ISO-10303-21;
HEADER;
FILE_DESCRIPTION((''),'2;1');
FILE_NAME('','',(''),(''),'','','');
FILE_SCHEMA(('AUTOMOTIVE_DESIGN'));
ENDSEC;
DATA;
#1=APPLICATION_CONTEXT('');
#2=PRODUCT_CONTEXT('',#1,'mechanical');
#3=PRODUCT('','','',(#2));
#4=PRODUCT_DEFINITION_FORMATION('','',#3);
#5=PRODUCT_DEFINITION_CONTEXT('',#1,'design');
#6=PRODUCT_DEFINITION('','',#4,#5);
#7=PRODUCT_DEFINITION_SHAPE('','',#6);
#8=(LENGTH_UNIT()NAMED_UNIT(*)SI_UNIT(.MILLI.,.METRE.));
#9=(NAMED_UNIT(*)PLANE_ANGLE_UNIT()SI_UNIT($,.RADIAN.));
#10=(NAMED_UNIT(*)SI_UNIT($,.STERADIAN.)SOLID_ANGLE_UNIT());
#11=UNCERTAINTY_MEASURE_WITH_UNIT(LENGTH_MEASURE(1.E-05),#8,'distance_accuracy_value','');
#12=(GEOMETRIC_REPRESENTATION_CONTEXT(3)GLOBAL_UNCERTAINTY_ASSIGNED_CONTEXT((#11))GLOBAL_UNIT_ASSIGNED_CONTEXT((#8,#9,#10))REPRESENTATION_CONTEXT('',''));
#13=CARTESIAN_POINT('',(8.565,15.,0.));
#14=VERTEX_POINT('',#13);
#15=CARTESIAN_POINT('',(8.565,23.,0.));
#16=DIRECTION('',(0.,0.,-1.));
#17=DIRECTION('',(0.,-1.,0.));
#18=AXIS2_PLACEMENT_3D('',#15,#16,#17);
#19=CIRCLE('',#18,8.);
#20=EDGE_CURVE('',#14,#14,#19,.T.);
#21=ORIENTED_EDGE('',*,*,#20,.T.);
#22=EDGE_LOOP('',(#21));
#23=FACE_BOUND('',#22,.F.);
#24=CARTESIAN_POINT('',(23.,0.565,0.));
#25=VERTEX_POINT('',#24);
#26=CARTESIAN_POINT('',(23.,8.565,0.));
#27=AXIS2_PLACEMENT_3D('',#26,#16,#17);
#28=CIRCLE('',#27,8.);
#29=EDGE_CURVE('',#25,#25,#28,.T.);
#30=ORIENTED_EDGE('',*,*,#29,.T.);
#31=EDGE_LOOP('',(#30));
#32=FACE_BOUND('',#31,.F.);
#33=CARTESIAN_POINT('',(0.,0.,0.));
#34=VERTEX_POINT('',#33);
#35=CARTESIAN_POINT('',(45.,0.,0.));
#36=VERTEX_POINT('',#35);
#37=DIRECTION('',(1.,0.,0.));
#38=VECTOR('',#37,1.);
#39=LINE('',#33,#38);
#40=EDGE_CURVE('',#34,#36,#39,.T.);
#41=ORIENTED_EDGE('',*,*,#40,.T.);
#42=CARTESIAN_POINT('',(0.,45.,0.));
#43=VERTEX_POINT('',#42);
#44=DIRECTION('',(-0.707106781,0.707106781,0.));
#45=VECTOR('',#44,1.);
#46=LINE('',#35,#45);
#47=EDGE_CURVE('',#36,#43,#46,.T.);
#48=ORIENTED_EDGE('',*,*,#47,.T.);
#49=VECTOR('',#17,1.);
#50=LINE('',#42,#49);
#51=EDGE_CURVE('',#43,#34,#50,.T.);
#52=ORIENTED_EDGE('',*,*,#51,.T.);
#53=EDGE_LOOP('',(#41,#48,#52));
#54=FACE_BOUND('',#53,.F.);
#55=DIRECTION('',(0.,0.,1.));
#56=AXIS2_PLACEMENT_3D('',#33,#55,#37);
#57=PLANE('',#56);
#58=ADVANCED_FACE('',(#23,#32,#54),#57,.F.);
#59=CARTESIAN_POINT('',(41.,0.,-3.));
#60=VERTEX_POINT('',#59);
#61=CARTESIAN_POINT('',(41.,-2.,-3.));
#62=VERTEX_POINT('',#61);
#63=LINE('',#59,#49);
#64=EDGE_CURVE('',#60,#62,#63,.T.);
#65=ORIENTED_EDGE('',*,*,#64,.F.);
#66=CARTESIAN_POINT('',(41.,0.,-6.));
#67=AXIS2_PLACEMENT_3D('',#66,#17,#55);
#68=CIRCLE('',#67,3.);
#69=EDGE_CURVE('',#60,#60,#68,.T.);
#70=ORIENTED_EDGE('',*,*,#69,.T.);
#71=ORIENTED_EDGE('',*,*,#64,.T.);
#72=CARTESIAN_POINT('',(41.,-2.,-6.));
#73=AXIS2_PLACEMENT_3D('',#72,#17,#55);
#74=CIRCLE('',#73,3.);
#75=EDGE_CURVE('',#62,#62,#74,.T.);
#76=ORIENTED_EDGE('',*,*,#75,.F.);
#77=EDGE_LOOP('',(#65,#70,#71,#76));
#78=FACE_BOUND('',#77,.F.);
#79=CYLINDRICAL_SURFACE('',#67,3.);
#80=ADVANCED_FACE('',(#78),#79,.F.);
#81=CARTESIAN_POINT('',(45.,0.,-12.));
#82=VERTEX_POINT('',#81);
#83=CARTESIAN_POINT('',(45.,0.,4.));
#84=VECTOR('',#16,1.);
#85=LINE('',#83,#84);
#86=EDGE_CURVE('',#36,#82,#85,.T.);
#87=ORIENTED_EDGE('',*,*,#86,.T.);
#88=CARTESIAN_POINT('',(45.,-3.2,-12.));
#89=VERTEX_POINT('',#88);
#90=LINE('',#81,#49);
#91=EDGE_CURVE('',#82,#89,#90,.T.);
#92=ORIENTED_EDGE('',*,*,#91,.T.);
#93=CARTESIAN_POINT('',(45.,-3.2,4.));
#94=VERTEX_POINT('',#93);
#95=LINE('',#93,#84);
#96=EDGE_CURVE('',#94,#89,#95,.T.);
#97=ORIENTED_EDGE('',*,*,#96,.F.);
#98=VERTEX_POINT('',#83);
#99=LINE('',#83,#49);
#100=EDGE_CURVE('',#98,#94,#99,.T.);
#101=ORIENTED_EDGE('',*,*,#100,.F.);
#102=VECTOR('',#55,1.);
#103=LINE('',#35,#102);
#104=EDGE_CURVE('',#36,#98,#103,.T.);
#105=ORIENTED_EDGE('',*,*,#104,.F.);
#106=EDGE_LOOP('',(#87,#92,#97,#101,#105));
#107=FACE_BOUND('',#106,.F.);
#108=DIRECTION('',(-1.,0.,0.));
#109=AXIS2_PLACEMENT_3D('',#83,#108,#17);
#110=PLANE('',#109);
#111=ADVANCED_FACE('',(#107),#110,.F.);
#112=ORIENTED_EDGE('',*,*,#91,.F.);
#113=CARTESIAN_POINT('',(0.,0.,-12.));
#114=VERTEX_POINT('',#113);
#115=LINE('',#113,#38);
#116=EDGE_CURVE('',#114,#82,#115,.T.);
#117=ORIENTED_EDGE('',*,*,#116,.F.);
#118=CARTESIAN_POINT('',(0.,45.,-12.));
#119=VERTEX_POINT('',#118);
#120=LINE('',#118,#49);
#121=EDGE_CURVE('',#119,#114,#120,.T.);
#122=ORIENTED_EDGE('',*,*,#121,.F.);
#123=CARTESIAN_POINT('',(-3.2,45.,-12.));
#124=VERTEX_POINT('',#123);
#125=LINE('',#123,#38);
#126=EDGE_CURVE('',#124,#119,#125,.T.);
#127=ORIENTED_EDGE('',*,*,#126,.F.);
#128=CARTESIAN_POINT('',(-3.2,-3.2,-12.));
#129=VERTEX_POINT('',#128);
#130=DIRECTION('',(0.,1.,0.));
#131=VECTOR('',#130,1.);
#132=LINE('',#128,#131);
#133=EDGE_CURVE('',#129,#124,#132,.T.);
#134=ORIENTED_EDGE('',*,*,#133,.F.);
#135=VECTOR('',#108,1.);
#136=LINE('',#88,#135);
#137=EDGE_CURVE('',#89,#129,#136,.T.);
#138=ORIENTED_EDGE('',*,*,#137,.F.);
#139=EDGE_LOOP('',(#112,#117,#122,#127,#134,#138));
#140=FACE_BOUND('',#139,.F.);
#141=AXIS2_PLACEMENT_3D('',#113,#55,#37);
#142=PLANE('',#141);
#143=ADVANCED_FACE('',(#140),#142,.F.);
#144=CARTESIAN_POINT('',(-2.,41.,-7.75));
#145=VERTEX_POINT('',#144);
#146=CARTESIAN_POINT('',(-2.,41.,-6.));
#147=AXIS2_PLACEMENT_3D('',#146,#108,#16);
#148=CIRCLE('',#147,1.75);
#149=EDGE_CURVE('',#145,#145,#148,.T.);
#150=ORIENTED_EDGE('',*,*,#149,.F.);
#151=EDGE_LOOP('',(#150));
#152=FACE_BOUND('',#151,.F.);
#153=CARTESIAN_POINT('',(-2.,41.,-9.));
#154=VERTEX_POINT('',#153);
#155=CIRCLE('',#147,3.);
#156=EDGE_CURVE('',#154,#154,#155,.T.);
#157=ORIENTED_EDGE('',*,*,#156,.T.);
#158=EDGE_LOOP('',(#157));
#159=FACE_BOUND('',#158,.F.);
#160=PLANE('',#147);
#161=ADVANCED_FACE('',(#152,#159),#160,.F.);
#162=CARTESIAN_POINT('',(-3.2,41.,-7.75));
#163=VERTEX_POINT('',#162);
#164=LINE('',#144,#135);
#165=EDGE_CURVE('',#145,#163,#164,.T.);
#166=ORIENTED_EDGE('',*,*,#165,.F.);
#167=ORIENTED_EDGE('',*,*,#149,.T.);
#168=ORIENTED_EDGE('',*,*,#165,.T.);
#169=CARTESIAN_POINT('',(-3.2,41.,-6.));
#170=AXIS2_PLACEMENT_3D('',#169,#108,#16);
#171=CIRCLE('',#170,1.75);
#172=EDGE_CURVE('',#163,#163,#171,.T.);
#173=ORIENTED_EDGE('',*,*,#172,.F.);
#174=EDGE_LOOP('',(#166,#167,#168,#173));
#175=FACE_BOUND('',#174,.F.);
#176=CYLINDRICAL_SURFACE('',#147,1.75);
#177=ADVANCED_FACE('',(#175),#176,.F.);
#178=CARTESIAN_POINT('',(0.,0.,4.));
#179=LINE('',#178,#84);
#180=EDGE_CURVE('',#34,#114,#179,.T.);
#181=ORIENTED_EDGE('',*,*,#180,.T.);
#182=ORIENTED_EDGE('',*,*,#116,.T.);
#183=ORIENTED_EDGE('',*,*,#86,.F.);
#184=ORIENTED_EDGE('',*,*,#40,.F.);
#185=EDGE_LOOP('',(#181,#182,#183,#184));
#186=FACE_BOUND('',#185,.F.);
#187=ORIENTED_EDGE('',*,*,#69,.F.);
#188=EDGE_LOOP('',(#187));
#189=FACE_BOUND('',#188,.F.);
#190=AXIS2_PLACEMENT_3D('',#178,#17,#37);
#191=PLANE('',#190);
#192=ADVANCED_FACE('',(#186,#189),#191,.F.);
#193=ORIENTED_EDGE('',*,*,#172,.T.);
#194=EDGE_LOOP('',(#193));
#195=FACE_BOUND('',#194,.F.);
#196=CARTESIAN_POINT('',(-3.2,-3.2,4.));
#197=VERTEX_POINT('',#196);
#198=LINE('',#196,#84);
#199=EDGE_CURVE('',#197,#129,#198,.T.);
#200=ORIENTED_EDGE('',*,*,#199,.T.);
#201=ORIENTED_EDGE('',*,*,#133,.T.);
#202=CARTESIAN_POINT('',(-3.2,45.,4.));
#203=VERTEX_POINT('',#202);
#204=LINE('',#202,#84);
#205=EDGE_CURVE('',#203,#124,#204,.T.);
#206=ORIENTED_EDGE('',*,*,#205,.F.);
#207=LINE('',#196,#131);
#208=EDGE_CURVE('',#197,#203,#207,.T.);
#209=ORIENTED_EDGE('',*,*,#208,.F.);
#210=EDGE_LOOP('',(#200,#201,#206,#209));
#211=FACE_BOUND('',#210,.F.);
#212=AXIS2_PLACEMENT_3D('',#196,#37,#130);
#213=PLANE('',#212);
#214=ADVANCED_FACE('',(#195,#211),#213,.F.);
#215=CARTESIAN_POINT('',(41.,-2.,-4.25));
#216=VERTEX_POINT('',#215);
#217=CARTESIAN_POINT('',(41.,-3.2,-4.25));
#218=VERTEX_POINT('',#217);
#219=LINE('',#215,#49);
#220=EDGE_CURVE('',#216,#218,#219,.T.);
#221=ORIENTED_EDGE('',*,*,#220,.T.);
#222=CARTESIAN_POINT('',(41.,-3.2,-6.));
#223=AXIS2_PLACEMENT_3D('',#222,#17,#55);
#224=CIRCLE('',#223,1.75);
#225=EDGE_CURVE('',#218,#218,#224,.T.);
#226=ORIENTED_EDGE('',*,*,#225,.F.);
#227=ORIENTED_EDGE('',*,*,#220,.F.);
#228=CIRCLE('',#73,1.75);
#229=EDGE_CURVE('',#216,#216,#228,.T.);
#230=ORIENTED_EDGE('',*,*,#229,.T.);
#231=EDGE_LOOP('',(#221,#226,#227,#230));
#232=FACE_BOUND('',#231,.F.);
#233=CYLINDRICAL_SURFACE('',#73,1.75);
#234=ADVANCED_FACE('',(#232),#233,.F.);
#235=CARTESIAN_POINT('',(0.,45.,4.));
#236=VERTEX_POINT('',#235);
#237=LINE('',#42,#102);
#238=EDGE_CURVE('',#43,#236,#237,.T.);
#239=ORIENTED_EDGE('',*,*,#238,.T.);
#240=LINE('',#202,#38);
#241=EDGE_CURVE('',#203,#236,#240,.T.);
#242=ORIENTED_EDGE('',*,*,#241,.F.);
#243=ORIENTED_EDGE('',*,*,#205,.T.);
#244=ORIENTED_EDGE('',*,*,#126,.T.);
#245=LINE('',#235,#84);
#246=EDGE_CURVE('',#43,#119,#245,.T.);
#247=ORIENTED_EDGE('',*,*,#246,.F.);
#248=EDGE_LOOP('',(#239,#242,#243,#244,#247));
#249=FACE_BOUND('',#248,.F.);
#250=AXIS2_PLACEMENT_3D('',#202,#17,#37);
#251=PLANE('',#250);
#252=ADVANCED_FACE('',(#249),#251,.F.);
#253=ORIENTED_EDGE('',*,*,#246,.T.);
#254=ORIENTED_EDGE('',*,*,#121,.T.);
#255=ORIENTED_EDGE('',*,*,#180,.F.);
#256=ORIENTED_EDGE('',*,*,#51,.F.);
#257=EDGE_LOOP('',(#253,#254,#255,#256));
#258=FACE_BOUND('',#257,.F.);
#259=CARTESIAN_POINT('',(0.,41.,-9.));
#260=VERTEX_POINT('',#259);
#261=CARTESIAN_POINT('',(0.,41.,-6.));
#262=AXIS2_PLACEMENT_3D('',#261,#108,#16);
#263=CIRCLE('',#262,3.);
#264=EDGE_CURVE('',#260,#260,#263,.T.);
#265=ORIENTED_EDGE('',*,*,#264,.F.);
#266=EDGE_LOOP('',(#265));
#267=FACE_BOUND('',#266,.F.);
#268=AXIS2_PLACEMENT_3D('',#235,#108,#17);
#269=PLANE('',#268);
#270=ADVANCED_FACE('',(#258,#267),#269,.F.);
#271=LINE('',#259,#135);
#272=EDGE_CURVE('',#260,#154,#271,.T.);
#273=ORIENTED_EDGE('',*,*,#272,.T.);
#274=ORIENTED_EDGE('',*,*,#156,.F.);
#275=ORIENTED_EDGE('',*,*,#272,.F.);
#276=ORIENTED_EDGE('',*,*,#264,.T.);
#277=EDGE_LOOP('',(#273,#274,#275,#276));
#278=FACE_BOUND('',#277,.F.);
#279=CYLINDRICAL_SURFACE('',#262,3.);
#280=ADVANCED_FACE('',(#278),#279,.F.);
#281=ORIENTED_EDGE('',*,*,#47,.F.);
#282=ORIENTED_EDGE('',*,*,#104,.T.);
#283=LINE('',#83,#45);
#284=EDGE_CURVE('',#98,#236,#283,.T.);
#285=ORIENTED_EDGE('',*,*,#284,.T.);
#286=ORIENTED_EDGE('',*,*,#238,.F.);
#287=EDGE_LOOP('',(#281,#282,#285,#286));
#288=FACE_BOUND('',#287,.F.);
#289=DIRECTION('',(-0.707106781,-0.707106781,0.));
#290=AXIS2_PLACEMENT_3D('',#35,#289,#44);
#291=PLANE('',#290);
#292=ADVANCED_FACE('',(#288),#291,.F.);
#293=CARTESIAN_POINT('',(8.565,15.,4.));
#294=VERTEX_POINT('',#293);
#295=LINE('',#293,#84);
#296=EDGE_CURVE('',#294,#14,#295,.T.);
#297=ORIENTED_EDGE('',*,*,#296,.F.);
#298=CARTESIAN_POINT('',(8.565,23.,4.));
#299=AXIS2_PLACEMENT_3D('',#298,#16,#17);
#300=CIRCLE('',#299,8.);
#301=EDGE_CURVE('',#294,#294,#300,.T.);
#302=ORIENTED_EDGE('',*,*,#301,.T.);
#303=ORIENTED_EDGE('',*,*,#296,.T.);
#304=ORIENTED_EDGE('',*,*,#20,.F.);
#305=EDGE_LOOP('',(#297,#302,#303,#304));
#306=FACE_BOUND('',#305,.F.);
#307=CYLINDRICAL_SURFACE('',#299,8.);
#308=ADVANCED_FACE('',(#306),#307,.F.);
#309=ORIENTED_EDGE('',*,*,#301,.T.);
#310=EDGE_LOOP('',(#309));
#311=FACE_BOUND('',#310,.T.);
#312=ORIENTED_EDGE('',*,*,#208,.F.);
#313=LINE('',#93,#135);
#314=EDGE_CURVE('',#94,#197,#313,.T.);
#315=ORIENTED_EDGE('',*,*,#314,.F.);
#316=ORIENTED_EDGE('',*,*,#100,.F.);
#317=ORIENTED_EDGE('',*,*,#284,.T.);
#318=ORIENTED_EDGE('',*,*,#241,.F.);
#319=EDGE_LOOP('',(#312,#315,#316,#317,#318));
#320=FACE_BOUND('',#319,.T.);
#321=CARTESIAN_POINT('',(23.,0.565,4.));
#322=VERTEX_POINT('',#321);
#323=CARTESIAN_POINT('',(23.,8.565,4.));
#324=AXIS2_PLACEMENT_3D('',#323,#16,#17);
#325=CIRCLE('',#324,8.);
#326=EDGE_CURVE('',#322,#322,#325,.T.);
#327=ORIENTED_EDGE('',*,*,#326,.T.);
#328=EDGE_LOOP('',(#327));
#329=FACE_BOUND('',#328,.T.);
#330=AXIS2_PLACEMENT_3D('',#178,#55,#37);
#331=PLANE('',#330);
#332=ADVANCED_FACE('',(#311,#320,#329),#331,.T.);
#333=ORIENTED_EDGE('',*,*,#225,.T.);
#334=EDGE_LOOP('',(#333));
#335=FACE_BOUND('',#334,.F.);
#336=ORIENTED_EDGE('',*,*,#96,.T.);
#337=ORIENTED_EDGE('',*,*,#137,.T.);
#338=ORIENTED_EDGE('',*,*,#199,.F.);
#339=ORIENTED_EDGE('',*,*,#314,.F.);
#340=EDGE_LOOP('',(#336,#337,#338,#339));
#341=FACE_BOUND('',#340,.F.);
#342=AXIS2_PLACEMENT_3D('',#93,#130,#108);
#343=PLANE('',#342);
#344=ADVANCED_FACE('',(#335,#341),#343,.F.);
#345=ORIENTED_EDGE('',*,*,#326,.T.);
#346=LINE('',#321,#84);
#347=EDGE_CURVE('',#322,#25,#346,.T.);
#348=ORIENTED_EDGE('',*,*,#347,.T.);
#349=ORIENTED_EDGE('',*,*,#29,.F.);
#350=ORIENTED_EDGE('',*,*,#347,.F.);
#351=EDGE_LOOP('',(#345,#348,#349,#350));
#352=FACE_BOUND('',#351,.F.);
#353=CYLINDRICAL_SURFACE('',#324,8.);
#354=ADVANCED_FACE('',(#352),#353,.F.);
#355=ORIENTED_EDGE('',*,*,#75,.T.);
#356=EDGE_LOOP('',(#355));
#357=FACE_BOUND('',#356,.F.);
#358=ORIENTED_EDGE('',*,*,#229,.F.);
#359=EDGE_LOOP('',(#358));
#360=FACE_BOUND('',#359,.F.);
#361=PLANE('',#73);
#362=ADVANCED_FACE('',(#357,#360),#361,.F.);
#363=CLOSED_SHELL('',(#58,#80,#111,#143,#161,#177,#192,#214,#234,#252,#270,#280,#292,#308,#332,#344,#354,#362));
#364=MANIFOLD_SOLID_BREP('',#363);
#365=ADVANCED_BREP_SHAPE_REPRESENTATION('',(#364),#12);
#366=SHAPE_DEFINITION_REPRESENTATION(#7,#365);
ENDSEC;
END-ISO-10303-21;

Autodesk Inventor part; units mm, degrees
ref_plane "YZ Plane" through (0, 0, 0) normal (1, 0, 0) x (0, 1, 0)
ref_plane "XZ Plane" through (0, 0, 0) normal (0, 1, 0) x (-1, 0, 0)
ref_plane "XY Plane" through (0, 0, 0) normal (0, 0, 1) x (1, 0, 0)
sketch "Skizze1" plane through (0, 0, 0) normal (0, 0, 1) x (1, 0, 0)
  line L0 (0, 0) -> (45, 0)
  line L1 (45, 0) -> (0, 45)
  line L2 (0, 45) -> (0, 0)
  dimension "d0" = 45
  dimension "d1" = 45
extrude "Extrusion1" add sketch "Skizze1" along normal blind 4
sketch "Skizze4" plane through (0, 0, 4) normal (0, 0, 1) x (1, 0, 0)
  line L0 (45, 0) -> (0, 45) projected
  line L1 (45, 0) -> (45, -3.2)
  line L2 (45, -3.2) -> (-3.2, -3.2)
  line L3 (-3.2, -3.2) -> (-3.2, 45)
  line L4 (-3.2, 45) -> (0, 45)
  line L5 (0, 0) -> (45, 0) projected
  line L6 (0, 45) -> (0, 0) projected
  dimension "d20" = 3.2
  dimension "d21" = 3.2
extrude "Extrusion3" add sketch "Skizze4" against normal blind 16 contours L1 L2 L3 L4 L6 L5
sketch "Skizze2" plane through (0, 0, 4) normal (0, 0, 1) x (1, 0, 0)
  line L0 (45, 0) -> (0, 45) projected
  point P0 (0, 0)
  point P1 (8.565, 23)
  point P2 (23, 8.565)
  dimension "d11" = 9.5
  dimension "d12" = 9.5
  dimension "d14" = 22
  dimension "d15" = 22
hole "Bohrung1" at (8.565, 23, 4) at (23, 8.565, 4) direction (0, 0, -1) diameter 16 end through all
sketch "Skizze5" plane through (0, 0, 0) normal (0, 1, 0) x (1, 0, 0)
  line L0 (45, 0) -> (45, 12) projected
  line L1 (45, 0) -> (0, 0) projected
  point P0 (41, 6)
  dimension "d31" = 4
  dimension "d32" = 6
hole "Bohrung2" at (41, 0, -6) direction (0, -1, 0) diameter 3.5 end through all counterbore diameter 6 counterbore depth 2
sketch "Skizze6" plane through (0, 0, 0) normal (1, 0, 0) x (0, 0, -1)
  line L0 (0, 0) -> (0, 45) projected
  line L1 (0, 45) -> (12, 45) projected
  point P0 (6, 41)
  dimension "d40" = 6
  dimension "d41" = 4
hole "Bohrung3" at (0, 41, -6) direction (-1, 0, 0) diameter 3.5 end through all counterbore diameter 6 counterbore depth 2
equation "\"d0\" = d1"
equation "\"d21\" = d20"
equation "\"d12\" = d11"
equation "\"d15\" = d14"
properties part number "Buttons_Mount_v1"
